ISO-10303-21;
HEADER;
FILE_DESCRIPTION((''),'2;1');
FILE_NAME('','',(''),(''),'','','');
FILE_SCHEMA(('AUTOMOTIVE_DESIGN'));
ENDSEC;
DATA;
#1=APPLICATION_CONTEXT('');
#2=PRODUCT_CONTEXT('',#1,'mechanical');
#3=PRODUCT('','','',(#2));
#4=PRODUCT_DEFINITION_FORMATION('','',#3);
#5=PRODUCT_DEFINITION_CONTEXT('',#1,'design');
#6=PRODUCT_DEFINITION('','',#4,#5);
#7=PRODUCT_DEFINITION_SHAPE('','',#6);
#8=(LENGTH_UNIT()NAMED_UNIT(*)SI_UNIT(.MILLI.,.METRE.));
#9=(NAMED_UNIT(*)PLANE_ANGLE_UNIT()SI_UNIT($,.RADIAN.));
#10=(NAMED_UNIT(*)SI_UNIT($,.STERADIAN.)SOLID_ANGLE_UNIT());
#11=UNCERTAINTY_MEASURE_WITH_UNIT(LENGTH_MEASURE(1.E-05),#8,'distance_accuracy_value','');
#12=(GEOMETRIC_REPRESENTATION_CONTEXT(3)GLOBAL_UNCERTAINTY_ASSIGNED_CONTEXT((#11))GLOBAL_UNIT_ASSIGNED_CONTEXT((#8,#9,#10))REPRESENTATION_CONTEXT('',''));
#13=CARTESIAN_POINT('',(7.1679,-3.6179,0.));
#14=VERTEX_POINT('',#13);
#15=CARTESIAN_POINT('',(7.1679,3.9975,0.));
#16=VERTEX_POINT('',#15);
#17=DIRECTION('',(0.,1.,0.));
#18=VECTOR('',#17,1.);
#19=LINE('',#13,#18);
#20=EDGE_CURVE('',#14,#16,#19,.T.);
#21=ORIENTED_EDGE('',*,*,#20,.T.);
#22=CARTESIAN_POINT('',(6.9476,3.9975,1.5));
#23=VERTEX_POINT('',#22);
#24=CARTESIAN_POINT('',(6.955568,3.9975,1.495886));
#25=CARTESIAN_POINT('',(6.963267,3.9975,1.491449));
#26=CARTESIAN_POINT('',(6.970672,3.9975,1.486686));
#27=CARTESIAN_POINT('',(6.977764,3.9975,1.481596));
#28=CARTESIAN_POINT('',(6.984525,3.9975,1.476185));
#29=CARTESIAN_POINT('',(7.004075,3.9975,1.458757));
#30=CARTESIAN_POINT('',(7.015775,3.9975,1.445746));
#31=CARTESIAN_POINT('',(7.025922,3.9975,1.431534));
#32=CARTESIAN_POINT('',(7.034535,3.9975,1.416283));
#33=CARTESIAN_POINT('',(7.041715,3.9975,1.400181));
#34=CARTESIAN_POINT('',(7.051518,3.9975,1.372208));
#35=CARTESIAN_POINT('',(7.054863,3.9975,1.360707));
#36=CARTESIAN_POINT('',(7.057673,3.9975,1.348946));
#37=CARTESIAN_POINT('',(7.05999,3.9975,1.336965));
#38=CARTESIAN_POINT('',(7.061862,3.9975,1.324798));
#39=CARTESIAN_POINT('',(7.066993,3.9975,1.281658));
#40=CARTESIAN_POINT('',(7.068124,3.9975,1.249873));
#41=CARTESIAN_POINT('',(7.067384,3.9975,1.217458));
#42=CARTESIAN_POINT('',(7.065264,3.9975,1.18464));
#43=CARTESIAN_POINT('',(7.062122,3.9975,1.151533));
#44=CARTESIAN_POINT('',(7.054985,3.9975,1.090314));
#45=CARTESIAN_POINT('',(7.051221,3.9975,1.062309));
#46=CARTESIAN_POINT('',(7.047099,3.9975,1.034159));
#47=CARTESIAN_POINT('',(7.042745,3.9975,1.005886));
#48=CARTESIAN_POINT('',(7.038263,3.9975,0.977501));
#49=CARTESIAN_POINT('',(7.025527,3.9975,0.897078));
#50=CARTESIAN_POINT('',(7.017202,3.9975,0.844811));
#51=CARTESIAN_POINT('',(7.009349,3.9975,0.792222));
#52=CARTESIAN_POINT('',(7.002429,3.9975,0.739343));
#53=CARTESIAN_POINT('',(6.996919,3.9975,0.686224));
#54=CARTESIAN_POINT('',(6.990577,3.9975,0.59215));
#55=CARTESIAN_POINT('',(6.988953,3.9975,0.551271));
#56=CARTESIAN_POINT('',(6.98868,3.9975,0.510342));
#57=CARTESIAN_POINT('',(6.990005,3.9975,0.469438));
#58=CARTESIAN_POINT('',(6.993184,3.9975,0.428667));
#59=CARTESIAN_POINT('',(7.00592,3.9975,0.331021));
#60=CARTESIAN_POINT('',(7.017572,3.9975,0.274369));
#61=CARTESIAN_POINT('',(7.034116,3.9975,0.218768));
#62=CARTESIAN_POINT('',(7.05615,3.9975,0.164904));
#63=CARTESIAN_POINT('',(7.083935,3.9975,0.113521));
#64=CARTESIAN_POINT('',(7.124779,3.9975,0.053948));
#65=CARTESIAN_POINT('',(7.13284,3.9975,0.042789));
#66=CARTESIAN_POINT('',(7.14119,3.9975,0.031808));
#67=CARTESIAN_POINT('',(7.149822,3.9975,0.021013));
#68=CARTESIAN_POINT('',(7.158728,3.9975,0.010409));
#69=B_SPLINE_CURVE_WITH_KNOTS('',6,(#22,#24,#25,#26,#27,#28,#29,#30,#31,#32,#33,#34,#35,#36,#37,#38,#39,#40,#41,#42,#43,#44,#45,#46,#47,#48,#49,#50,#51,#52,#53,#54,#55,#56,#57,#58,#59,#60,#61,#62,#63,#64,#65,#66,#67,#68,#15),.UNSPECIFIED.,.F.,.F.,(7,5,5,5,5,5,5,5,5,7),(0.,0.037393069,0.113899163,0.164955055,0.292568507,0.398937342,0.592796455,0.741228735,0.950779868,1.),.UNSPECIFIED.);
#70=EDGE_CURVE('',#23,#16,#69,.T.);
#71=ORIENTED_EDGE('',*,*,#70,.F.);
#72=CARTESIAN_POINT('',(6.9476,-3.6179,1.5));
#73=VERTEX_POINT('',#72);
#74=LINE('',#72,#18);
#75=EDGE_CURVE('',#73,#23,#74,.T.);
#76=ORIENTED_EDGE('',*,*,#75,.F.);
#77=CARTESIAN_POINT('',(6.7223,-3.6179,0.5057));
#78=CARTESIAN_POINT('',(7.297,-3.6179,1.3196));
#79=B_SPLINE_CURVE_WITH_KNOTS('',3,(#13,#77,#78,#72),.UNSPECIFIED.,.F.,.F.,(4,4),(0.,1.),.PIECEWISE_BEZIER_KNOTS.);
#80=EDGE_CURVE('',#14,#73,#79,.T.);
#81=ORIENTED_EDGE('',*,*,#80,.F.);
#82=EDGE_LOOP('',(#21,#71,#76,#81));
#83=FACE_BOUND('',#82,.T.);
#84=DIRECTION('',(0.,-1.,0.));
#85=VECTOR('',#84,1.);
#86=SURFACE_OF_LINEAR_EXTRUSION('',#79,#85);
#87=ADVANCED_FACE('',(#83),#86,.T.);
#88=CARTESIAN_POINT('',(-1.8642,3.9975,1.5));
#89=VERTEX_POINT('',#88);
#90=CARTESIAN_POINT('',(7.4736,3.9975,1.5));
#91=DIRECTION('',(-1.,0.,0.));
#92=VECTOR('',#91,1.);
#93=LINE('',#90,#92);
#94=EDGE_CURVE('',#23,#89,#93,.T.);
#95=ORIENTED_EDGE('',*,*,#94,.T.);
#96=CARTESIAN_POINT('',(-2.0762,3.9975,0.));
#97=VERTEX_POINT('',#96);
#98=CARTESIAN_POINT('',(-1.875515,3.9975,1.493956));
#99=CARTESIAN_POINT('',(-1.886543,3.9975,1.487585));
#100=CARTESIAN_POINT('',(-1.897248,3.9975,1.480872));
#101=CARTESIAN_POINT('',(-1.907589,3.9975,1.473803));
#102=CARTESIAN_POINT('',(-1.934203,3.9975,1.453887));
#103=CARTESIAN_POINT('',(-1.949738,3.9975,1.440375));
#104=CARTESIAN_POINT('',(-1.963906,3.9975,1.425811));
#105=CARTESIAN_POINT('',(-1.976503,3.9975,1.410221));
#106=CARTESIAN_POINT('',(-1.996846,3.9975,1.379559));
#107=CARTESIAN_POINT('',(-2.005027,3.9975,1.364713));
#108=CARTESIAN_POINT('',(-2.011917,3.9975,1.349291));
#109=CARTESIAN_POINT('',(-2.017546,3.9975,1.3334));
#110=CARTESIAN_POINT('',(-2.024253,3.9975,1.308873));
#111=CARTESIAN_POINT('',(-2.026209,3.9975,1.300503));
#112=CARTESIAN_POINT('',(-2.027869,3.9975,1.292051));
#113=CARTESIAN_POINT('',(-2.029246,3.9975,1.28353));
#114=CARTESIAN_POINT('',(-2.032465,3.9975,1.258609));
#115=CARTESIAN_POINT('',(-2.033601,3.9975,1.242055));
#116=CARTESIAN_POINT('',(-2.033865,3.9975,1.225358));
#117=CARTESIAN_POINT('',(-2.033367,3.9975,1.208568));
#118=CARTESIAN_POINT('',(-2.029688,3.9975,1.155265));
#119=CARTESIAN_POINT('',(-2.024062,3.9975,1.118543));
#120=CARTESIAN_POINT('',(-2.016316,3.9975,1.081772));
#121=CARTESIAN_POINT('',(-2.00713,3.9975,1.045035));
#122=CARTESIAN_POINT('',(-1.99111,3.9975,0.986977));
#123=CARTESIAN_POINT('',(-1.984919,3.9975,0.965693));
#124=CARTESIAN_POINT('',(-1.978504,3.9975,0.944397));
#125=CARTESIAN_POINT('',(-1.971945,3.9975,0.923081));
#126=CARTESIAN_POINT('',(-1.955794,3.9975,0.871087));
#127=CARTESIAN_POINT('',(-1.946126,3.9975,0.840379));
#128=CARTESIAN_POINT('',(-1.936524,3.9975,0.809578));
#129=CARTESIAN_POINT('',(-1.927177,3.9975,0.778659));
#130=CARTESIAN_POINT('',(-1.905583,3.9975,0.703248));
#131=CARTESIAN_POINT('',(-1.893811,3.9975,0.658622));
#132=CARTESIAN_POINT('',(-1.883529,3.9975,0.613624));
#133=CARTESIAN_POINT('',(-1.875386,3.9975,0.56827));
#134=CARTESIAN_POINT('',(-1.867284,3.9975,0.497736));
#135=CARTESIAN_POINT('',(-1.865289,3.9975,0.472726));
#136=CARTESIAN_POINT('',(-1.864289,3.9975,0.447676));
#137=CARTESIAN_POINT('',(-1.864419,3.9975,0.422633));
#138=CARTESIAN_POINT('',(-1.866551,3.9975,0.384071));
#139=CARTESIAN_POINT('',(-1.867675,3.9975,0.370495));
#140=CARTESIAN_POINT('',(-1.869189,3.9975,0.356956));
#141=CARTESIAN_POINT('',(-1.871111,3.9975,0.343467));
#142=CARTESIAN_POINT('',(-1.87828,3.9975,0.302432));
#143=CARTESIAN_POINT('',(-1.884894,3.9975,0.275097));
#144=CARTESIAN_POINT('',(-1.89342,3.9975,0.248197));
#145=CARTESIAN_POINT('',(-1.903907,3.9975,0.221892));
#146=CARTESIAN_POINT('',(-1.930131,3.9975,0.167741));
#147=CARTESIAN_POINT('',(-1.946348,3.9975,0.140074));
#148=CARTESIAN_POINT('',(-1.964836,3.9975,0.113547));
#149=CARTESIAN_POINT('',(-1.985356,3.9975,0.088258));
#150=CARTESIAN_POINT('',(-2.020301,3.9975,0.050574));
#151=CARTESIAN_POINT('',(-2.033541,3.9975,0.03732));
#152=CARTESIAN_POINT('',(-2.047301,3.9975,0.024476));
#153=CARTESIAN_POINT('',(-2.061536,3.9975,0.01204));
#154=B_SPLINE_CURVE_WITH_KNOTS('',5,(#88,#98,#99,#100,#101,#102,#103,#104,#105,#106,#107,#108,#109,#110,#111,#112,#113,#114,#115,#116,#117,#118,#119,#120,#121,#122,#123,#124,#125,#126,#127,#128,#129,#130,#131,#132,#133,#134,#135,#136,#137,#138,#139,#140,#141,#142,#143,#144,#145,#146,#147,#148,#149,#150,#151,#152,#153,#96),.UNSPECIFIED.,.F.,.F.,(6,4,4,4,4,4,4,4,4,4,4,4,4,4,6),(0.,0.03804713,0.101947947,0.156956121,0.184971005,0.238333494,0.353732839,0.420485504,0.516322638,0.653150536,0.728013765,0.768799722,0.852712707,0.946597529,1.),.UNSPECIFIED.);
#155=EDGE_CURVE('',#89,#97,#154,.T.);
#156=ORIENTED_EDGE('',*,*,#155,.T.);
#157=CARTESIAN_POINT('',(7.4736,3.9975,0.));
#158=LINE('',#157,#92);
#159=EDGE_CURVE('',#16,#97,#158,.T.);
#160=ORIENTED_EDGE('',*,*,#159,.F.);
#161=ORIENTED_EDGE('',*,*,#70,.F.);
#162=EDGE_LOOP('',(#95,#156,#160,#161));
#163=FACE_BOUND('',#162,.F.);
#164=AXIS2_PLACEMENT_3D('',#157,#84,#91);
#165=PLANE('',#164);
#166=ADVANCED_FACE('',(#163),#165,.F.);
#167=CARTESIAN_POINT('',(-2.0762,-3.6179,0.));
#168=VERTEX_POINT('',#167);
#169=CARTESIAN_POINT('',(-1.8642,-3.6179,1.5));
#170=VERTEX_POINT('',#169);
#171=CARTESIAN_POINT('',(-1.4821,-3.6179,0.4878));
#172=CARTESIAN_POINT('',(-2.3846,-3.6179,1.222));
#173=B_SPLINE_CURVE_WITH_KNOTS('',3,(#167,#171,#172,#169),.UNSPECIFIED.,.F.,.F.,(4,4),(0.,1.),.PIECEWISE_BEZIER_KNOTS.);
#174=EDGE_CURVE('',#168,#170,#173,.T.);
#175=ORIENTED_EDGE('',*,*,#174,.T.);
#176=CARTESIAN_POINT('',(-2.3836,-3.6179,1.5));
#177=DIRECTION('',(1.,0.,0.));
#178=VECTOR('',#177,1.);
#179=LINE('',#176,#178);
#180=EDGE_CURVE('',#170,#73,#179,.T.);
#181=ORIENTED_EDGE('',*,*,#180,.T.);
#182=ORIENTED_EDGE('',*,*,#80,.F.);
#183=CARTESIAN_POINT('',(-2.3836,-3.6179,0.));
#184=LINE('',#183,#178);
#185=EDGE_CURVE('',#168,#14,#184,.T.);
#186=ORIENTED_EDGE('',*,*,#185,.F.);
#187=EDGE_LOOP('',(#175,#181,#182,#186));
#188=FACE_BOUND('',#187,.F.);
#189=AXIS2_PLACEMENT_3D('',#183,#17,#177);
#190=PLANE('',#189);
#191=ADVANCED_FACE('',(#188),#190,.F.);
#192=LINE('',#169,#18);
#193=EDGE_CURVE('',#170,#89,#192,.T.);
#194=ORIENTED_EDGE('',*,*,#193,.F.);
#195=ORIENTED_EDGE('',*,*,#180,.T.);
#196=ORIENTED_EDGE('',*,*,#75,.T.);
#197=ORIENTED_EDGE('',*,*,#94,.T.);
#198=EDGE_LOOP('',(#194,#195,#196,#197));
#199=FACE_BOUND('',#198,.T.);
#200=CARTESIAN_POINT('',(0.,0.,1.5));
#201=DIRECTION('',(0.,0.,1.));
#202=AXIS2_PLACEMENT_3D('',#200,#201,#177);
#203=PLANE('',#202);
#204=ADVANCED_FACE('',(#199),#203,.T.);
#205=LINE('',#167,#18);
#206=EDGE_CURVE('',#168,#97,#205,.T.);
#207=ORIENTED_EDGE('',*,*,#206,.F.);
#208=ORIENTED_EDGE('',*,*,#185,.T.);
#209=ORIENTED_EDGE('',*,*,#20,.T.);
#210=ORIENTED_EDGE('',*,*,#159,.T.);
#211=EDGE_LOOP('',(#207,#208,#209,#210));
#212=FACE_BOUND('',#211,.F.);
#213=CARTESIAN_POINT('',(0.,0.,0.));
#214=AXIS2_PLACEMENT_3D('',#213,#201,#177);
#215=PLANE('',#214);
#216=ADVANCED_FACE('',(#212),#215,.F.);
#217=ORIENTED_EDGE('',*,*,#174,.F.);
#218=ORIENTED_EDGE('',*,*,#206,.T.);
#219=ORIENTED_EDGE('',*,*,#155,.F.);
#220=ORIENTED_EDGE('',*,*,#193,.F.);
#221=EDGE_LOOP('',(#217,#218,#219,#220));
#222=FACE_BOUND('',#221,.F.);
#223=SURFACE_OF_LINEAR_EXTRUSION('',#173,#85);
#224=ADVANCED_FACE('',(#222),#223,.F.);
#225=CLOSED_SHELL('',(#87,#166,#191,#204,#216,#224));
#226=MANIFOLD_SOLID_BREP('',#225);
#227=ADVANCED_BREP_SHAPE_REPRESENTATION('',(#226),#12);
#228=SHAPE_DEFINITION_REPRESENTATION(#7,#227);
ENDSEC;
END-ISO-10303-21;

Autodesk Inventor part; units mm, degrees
ref_plane "YZ Plane" through (0, 0, 0) normal (1, 0, 0) x (0, 1, 0)
ref_plane "XZ Plane" through (0, 0, 0) normal (0, 1, 0) x (-1, 0, 0)
ref_plane "XY Plane" through (0, 0, 0) normal (0, 0, 1) x (1, 0, 0)
sketch "Эскиз1" plane through (0, 0, 0) normal (0, 0, 1) x (1, 0, 0)
  line L0 (-2.3836, -3.6179) -> (7.4736, -3.6179)
  line L1 (7.4736, -3.6179) -> (7.4736, 3.9975)
  line L2 (7.4736, 3.9975) -> (-2.3836, 3.9975)
  line L3 (-2.3836, 3.9975) -> (-2.3836, -3.6179)
  point P0 (0, 0)
extrude "Выдавливание1" add sketch "Эскиз1" along normal blind 1.5
sketch "Эскиз2" plane through (-2.3836, -3.6179, 0) normal (0, -1, 0) x (1, 0, 0)
  line L0 (9.8572, 1.5) -> (0, 1.5) projected
  line L1 (0, 0) -> (0, 1.5) projected
  line L2 (0, 0) -> (9.8572, 0) projected
  line L3 (9.8572, 0) -> (9.8572, 1.5) projected
  spline S0 degree 3 poles (9.5515, 0) (9.1059, 0.5057) (9.6806, 1.3196) (9.3312, 1.5) knots 0 0 0 0 1 1 1 1
  spline S1 degree 3 poles (0.3074, 0) (0.9015, 0.4878) (-0.001, 1.222) (0.5194, 1.5) knots 0 0 0 0 1 1 1 1
  point P0 (2.3836, 0)
  point P1 (9.3821, 0.6943)
  point P2 (9.4499, 1.2761)
  point P3 (0.5013, 0.6008)
  point P4 (0.3525, 1.1779)
extrude "Выдавливание2" cut sketch "Эскиз2" against normal through all contours L3 L2 S0 L0 | S1 L2 L1 L0
properties part number "DO-214AB (SMC) плата"
